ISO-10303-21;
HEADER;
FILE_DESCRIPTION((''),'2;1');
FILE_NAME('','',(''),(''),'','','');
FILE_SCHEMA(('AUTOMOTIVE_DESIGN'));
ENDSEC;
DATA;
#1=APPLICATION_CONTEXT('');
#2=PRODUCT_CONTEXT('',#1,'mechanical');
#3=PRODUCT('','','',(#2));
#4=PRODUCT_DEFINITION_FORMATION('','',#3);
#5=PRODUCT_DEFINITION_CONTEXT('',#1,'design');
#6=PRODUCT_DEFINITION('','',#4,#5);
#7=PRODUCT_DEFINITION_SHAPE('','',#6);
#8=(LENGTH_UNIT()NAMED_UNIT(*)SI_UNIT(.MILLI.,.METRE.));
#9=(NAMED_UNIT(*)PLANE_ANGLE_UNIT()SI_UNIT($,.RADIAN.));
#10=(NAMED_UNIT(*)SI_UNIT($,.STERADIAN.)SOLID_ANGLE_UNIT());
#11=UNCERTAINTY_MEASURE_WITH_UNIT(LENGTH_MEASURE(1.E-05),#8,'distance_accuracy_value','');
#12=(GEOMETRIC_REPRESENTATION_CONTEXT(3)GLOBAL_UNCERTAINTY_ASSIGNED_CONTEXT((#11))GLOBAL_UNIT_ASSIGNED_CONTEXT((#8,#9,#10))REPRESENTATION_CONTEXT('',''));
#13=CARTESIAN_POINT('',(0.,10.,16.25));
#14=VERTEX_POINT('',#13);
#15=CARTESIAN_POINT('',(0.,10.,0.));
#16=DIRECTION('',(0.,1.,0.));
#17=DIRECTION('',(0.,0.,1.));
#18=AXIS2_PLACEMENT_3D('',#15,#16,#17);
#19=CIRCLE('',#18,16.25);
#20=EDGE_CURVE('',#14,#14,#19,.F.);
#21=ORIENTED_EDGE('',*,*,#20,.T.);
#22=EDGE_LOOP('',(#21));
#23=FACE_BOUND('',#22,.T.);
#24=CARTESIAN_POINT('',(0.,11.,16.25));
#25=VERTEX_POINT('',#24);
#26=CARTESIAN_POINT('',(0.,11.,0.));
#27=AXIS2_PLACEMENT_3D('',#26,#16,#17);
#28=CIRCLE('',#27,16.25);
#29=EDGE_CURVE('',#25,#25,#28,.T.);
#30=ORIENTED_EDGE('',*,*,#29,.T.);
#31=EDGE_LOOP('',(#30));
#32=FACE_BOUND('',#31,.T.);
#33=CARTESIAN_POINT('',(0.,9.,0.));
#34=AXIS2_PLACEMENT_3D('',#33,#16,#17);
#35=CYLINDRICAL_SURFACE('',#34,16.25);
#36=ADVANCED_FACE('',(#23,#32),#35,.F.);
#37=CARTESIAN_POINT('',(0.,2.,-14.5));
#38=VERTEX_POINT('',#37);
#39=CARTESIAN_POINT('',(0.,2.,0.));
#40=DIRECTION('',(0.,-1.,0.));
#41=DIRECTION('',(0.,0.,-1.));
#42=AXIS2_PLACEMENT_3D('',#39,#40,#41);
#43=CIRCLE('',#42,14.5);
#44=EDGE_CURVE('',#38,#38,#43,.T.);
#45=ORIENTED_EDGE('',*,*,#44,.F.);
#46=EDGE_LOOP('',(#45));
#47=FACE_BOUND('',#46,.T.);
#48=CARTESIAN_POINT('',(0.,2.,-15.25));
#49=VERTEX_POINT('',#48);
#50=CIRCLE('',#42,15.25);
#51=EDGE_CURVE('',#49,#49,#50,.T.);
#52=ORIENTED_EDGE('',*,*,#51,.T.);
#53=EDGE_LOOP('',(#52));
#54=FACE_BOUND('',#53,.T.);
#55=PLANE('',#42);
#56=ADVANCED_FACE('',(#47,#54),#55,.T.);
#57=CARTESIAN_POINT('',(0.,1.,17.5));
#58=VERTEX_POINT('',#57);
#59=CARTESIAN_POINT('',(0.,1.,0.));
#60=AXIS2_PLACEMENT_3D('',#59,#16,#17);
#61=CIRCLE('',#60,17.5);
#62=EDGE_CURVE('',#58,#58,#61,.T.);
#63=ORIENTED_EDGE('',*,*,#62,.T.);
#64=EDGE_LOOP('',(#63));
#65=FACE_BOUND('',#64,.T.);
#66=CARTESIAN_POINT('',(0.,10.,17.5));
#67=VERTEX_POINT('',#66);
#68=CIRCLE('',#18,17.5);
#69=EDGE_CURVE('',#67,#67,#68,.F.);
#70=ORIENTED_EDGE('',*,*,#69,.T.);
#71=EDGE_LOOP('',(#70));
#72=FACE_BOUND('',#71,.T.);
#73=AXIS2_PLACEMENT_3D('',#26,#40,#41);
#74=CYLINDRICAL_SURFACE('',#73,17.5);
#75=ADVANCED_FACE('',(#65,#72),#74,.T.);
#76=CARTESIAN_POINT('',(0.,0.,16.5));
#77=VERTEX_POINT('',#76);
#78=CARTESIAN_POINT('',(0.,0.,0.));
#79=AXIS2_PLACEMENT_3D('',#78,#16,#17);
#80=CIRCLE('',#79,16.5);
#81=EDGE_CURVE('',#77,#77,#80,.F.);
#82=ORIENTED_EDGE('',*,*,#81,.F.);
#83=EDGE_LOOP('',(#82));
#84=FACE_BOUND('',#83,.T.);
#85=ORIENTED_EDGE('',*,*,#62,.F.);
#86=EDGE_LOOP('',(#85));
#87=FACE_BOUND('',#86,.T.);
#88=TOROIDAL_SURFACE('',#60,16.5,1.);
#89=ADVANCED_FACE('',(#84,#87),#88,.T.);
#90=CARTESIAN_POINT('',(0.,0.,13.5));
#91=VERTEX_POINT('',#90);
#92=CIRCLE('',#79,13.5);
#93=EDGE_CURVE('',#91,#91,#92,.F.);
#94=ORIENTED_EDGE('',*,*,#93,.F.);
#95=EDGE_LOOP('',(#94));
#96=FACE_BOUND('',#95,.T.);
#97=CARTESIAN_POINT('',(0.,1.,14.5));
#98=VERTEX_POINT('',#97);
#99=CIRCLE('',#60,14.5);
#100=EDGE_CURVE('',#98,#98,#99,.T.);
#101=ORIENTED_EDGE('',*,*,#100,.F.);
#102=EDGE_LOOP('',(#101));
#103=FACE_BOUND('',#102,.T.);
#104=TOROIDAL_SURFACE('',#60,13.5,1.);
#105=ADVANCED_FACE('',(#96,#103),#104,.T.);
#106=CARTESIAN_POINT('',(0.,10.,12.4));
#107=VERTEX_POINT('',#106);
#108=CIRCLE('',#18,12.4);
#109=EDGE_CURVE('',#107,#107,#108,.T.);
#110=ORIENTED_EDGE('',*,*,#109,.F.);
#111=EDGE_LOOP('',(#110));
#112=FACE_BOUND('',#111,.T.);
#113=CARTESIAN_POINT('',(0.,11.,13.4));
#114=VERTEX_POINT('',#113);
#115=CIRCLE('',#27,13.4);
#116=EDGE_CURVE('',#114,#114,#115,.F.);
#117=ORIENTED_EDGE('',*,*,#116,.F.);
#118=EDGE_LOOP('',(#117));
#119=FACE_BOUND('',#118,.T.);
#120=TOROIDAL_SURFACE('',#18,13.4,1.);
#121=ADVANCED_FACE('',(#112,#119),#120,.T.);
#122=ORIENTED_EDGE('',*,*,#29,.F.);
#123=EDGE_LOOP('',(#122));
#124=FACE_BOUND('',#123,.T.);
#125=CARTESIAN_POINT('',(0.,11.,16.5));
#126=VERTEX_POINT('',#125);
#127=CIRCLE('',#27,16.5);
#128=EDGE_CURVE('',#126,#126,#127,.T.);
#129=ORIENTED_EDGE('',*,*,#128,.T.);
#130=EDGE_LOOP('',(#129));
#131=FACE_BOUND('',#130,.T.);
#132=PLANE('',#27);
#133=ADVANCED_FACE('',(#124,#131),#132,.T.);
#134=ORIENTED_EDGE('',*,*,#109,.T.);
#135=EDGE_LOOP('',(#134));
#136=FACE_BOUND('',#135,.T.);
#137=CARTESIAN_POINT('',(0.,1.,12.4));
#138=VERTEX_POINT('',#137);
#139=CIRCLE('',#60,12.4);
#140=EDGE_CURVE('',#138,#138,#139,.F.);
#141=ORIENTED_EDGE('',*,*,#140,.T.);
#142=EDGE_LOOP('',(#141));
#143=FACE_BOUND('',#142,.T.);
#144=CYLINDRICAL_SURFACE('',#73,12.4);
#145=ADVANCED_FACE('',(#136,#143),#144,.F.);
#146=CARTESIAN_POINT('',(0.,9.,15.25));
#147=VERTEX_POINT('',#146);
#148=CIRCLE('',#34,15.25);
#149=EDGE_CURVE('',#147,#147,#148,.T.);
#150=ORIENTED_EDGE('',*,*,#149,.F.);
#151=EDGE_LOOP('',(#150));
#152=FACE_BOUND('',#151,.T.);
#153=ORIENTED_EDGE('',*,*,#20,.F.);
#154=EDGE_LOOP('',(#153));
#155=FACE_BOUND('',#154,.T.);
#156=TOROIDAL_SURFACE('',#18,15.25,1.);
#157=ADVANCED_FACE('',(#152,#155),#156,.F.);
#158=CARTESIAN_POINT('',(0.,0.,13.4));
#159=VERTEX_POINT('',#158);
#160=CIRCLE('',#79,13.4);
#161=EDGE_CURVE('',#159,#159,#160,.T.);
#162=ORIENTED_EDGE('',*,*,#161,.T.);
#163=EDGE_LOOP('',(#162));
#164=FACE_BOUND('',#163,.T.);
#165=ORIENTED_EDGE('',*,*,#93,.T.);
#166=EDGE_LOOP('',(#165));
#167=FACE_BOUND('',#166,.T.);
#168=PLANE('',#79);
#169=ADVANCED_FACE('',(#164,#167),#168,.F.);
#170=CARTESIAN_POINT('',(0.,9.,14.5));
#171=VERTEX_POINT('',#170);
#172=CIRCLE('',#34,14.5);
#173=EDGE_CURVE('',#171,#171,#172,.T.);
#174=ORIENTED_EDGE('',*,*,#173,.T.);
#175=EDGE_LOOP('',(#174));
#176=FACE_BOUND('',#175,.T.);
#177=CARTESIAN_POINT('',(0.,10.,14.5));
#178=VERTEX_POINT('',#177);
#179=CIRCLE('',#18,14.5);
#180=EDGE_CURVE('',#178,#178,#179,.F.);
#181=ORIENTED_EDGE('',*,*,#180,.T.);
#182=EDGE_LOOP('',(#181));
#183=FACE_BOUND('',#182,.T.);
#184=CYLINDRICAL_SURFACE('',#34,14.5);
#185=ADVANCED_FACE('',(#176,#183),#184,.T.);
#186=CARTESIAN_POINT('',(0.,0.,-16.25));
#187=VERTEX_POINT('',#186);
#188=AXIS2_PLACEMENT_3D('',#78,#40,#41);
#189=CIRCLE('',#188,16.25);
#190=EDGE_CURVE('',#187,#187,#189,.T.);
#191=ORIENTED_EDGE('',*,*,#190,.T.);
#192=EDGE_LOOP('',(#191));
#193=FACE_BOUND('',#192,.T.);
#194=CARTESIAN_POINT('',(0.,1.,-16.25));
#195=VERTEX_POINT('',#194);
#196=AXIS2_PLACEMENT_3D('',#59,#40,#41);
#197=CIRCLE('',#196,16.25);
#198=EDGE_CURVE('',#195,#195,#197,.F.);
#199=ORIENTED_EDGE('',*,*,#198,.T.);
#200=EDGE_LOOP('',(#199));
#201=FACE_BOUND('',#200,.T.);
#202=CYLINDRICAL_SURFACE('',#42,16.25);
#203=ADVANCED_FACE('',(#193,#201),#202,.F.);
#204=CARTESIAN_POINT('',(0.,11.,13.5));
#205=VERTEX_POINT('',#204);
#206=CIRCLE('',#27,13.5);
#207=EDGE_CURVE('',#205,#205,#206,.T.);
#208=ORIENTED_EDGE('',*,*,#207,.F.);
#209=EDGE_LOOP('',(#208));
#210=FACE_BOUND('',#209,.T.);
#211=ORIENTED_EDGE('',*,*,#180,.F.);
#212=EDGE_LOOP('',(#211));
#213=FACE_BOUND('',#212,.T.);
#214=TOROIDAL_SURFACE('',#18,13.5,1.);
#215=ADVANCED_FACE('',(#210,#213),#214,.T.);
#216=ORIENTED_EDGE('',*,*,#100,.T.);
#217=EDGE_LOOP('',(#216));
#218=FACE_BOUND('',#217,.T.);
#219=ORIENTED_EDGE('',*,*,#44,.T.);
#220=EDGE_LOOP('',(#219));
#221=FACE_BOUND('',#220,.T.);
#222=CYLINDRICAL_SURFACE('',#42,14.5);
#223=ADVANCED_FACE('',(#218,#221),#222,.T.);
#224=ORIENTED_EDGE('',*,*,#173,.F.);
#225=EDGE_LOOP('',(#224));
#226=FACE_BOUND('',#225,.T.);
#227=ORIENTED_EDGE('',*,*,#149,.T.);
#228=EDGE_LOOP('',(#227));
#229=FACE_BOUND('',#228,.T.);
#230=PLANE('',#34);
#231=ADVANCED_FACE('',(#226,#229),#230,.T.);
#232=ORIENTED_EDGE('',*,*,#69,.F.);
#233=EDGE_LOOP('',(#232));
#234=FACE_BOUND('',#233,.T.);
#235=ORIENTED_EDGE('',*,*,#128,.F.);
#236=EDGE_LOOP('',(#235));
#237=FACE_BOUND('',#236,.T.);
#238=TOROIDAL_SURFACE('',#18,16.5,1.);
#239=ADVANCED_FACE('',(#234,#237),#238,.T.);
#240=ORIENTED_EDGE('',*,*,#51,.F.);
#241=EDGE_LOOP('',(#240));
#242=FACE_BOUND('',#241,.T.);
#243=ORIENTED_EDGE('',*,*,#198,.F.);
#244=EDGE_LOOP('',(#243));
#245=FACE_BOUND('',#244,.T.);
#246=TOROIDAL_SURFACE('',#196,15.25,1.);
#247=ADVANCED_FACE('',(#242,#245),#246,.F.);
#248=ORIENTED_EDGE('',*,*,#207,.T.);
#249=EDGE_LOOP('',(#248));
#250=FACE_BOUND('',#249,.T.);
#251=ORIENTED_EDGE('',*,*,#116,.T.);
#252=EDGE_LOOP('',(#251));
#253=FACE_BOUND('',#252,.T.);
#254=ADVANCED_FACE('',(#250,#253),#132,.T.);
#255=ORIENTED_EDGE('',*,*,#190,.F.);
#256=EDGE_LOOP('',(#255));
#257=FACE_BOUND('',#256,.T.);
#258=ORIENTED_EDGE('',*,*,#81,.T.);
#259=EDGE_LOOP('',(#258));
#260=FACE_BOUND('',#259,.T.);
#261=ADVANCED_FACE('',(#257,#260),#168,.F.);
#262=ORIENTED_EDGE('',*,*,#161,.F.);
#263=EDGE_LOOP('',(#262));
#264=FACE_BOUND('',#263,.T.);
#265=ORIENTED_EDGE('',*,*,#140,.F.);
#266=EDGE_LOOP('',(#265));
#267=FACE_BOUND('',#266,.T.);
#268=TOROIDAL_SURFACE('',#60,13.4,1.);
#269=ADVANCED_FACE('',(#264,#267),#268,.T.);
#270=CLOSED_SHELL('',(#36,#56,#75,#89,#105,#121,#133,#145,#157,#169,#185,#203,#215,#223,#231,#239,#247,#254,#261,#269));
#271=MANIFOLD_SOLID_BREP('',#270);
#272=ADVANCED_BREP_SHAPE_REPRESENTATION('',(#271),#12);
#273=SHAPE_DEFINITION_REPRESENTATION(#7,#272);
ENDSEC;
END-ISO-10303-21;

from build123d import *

# Parameters (mm, degrees)
SKETCH1_R           = 17.5
SKETCH1_R_2         = 12.4
BOSS_EXTRUDE1_DEPTH = 11
FILLET3_R           = 1
SKETCH2_R           = 16.25
SKETCH2_R_2         = 14.5
CUT_EXTRUDE3_DEPTH  = 2
CUT_EXTRUDE4_START  = -2
SKETCH4_R           = 16.25
SKETCH4_R_2         = 14.5
CUT_EXTRUDE4_DEPTH  = 2
FILLET4_R           = 1
FILLET5_R           = 1


with BuildPart() as part:
    # Sketch1 → Boss-Extrude1 (new body)
    with BuildSketch(Plane(origin=(0, 0, 0), x_dir=(1, 0, 0), z_dir=(0, 1, 0))):
        with Locations(Location((0, 0, 0), (0, 0, 270))):
            Circle(SKETCH1_R)
        with Locations(Location((0, 0, 0), (0, 0, 270))):
            Circle(SKETCH1_R_2, mode=Mode.SUBTRACT)
    extrude(amount=BOSS_EXTRUDE1_DEPTH)

    # Fillet3
    fillet3_edges = [part.edges().sort_by_distance(p)[0] for p in [
        (0, 0, -12.4),
        (0, 11, -12.4),
    ]]
    fillet(fillet3_edges, radius=FILLET3_R)

    # Sketch2 → Cut-Extrude3 (cut)
    with BuildSketch(Plane(origin=(0, 11, 0), x_dir=(1, 0, 0), z_dir=(0, 1, 0))):
        with Locations(Location((0, 0, 0), (0, 0, 270))):
            Circle(SKETCH2_R)
        with Locations(Location((0, 0, 0), (0, 0, 270))):
            Circle(SKETCH2_R_2, mode=Mode.SUBTRACT)
    extrude(amount=-CUT_EXTRUDE3_DEPTH, mode=Mode.SUBTRACT)

    # Sketch4 → Cut-Extrude4 (cut)
    with BuildSketch(Plane.XZ.offset(CUT_EXTRUDE4_START)):
        with Locations(Location((0, 0, 0), (0, 0, 90))):
            Circle(SKETCH4_R)
        with Locations(Location((0, 0, 0), (0, 0, 90))):
            Circle(SKETCH4_R_2, mode=Mode.SUBTRACT)
    extrude(amount=CUT_EXTRUDE4_DEPTH, mode=Mode.SUBTRACT)

    # Fillet4
    fillet4_edges = [part.edges().sort_by_distance(p)[0] for p in [
        (0, 11, -14.5),
        (0, 0, -17.5),
        (0, 0, -14.5),
        (0, 11, -17.5),
    ]]
    fillet(fillet4_edges, radius=FILLET4_R)

    # Fillet5
    fillet5_edges = [part.edges().sort_by_distance(p)[0] for p in [
        (0, 9, -16.25),
        (0, 2, -16.25),
    ]]
    fillet(fillet5_edges, radius=FILLET5_R)


solid = part.part
